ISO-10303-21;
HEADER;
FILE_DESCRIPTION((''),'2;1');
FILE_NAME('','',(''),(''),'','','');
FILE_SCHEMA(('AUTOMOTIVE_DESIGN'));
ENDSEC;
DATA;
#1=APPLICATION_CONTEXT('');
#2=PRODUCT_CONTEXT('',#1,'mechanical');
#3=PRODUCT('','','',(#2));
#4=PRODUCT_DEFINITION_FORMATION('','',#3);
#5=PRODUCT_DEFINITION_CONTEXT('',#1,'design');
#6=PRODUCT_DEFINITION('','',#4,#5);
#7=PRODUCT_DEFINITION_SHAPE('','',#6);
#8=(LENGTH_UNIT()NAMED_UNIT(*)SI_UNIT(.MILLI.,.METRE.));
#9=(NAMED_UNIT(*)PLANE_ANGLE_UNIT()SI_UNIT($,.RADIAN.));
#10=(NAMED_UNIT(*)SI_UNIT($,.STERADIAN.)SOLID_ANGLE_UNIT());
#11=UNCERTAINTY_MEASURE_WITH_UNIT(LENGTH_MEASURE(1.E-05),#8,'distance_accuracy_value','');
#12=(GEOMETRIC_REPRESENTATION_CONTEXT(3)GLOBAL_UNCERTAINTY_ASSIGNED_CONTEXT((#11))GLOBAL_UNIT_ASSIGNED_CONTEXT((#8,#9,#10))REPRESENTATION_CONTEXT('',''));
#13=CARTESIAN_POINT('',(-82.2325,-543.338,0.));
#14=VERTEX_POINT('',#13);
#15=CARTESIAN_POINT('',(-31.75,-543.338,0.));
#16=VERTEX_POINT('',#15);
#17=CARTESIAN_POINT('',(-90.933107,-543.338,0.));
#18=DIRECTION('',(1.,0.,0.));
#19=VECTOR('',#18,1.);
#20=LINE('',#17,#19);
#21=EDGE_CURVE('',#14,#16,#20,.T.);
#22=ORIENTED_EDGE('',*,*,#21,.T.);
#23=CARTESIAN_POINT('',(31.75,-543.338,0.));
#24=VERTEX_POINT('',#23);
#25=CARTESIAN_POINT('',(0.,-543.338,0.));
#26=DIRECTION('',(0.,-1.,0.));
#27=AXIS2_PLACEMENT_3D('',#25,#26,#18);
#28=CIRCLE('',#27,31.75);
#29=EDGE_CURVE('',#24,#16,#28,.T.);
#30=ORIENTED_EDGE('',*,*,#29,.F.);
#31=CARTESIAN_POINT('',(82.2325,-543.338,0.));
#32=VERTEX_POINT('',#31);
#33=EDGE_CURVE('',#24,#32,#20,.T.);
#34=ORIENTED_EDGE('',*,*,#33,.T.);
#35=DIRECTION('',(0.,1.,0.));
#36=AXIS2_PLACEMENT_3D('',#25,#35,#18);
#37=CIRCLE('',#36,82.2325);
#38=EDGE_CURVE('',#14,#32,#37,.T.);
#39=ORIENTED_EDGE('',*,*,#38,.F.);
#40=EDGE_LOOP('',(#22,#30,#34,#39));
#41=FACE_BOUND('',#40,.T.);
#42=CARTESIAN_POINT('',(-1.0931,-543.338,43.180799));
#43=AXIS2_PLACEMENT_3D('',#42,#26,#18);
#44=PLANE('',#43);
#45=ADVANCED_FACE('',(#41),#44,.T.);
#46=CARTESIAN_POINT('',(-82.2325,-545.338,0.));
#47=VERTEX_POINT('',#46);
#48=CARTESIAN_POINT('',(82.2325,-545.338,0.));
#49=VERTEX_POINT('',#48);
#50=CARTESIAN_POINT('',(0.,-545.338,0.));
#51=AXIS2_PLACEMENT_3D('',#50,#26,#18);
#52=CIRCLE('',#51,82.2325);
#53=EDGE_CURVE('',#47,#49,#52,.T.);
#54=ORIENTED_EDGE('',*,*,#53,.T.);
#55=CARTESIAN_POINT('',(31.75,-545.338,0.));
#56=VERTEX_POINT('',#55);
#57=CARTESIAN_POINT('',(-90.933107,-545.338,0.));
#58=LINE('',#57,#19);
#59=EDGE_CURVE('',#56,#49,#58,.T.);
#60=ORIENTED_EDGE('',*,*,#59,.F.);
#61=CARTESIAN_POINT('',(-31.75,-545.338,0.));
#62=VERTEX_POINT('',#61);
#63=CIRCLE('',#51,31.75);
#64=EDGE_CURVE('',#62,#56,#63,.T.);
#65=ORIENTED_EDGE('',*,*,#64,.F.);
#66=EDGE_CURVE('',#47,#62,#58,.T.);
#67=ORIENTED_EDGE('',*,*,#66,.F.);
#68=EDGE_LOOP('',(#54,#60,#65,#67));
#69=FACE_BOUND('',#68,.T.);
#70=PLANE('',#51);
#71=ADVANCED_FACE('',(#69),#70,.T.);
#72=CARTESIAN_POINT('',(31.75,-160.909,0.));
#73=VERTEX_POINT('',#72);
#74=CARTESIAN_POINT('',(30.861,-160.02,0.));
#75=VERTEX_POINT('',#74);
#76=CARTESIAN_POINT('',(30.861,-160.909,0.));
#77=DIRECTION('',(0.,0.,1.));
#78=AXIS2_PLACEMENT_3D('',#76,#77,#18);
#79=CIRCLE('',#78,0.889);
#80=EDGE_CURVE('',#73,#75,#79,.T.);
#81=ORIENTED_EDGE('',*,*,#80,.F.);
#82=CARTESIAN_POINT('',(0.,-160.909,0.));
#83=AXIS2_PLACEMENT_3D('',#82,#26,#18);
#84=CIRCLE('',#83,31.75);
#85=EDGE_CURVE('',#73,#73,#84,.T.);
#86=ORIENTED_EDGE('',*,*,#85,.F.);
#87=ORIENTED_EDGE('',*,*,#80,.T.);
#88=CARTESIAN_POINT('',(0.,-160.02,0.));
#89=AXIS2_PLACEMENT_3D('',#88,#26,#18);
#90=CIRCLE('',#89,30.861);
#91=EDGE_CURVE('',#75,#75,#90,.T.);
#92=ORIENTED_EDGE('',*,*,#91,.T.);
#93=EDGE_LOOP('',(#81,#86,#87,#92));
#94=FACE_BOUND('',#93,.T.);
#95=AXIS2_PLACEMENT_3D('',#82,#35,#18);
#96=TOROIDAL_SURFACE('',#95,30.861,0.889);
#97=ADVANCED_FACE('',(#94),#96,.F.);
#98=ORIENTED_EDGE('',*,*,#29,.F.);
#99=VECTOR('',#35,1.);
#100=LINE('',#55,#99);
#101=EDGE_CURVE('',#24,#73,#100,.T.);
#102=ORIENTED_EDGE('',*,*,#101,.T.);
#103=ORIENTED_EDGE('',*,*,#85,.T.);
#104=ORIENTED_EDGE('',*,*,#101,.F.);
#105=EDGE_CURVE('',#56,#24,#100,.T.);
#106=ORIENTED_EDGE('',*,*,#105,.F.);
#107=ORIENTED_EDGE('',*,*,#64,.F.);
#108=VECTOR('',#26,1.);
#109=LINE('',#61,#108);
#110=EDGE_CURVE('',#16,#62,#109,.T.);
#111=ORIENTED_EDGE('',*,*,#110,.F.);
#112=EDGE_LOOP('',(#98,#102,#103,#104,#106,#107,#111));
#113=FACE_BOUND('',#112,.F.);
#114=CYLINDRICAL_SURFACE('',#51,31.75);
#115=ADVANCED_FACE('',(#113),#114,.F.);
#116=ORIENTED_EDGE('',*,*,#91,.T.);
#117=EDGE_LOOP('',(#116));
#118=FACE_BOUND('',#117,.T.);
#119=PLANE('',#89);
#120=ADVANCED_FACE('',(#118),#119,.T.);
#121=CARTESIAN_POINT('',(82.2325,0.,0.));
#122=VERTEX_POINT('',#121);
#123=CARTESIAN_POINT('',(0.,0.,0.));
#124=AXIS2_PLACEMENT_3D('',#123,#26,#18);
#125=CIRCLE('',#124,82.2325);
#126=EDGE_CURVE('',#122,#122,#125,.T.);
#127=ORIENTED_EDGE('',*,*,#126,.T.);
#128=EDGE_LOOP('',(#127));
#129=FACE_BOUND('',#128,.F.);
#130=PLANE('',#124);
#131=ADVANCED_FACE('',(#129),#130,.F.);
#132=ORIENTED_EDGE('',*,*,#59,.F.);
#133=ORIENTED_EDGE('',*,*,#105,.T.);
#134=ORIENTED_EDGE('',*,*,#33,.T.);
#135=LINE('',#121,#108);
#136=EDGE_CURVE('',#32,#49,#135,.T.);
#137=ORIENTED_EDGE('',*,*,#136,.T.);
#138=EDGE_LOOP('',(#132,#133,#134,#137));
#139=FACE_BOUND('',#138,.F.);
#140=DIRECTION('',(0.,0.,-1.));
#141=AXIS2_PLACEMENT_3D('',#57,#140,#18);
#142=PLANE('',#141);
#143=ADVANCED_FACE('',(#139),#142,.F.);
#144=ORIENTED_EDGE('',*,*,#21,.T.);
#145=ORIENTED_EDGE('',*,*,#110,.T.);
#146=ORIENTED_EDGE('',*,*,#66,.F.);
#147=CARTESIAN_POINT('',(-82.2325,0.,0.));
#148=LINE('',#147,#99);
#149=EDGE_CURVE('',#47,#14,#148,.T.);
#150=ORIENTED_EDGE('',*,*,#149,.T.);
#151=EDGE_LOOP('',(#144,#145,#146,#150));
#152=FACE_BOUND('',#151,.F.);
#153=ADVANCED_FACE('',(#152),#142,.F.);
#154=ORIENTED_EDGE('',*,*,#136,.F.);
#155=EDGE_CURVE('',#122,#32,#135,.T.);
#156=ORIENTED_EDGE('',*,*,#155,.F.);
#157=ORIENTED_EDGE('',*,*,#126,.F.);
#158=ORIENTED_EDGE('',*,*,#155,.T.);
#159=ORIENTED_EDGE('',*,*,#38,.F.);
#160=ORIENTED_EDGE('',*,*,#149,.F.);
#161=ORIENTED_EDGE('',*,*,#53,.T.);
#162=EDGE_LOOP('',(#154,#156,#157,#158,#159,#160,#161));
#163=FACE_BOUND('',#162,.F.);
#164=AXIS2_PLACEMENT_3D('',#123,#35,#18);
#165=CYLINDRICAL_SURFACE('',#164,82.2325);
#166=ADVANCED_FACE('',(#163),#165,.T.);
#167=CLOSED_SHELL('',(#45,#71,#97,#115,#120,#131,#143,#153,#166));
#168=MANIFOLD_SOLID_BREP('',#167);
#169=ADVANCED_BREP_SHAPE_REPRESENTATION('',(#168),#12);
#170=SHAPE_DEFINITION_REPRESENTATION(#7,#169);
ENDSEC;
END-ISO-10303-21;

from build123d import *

# Parameters (mm, degrees)
F0_R     = 82.2325
F1_DEPTH = 545.338
F2_R     = 31.75
F3_DEPTH = 385.318
F4_R     = 0.889
F6_DEPTH = 2


with BuildPart() as f1:
    # F0 (on Front) → F1 (new body)
    with BuildSketch(Plane.XZ):
        Circle(F0_R)
    extrude(amount=F1_DEPTH)

    # F2 (on face) → F3 (cut)
    with BuildSketch(Plane.XZ.offset(545.338)):
        Circle(F2_R)
    extrude(amount=-F3_DEPTH, mode=Mode.SUBTRACT)

    # F4
    f4_edges = [f1.edges().sort_by_distance(p)[0] for p in [
        (-31.75, -160.02, 0),
    ]]
    fillet(f4_edges, radius=F4_R)

    # F5 (on face) → F6 (cut)
    with BuildSketch(Plane.XZ.offset(545.338)):
        Polygon((-94.683126, 74.995518), (-90.933107, 0), (99.84915, 0), (85.317813, 66.08922), (21.098729, 103.589416), (-59.526693, 95.151864), align=None)
    extrude(amount=-F6_DEPTH, mode=Mode.SUBTRACT)


solid = f1.part
